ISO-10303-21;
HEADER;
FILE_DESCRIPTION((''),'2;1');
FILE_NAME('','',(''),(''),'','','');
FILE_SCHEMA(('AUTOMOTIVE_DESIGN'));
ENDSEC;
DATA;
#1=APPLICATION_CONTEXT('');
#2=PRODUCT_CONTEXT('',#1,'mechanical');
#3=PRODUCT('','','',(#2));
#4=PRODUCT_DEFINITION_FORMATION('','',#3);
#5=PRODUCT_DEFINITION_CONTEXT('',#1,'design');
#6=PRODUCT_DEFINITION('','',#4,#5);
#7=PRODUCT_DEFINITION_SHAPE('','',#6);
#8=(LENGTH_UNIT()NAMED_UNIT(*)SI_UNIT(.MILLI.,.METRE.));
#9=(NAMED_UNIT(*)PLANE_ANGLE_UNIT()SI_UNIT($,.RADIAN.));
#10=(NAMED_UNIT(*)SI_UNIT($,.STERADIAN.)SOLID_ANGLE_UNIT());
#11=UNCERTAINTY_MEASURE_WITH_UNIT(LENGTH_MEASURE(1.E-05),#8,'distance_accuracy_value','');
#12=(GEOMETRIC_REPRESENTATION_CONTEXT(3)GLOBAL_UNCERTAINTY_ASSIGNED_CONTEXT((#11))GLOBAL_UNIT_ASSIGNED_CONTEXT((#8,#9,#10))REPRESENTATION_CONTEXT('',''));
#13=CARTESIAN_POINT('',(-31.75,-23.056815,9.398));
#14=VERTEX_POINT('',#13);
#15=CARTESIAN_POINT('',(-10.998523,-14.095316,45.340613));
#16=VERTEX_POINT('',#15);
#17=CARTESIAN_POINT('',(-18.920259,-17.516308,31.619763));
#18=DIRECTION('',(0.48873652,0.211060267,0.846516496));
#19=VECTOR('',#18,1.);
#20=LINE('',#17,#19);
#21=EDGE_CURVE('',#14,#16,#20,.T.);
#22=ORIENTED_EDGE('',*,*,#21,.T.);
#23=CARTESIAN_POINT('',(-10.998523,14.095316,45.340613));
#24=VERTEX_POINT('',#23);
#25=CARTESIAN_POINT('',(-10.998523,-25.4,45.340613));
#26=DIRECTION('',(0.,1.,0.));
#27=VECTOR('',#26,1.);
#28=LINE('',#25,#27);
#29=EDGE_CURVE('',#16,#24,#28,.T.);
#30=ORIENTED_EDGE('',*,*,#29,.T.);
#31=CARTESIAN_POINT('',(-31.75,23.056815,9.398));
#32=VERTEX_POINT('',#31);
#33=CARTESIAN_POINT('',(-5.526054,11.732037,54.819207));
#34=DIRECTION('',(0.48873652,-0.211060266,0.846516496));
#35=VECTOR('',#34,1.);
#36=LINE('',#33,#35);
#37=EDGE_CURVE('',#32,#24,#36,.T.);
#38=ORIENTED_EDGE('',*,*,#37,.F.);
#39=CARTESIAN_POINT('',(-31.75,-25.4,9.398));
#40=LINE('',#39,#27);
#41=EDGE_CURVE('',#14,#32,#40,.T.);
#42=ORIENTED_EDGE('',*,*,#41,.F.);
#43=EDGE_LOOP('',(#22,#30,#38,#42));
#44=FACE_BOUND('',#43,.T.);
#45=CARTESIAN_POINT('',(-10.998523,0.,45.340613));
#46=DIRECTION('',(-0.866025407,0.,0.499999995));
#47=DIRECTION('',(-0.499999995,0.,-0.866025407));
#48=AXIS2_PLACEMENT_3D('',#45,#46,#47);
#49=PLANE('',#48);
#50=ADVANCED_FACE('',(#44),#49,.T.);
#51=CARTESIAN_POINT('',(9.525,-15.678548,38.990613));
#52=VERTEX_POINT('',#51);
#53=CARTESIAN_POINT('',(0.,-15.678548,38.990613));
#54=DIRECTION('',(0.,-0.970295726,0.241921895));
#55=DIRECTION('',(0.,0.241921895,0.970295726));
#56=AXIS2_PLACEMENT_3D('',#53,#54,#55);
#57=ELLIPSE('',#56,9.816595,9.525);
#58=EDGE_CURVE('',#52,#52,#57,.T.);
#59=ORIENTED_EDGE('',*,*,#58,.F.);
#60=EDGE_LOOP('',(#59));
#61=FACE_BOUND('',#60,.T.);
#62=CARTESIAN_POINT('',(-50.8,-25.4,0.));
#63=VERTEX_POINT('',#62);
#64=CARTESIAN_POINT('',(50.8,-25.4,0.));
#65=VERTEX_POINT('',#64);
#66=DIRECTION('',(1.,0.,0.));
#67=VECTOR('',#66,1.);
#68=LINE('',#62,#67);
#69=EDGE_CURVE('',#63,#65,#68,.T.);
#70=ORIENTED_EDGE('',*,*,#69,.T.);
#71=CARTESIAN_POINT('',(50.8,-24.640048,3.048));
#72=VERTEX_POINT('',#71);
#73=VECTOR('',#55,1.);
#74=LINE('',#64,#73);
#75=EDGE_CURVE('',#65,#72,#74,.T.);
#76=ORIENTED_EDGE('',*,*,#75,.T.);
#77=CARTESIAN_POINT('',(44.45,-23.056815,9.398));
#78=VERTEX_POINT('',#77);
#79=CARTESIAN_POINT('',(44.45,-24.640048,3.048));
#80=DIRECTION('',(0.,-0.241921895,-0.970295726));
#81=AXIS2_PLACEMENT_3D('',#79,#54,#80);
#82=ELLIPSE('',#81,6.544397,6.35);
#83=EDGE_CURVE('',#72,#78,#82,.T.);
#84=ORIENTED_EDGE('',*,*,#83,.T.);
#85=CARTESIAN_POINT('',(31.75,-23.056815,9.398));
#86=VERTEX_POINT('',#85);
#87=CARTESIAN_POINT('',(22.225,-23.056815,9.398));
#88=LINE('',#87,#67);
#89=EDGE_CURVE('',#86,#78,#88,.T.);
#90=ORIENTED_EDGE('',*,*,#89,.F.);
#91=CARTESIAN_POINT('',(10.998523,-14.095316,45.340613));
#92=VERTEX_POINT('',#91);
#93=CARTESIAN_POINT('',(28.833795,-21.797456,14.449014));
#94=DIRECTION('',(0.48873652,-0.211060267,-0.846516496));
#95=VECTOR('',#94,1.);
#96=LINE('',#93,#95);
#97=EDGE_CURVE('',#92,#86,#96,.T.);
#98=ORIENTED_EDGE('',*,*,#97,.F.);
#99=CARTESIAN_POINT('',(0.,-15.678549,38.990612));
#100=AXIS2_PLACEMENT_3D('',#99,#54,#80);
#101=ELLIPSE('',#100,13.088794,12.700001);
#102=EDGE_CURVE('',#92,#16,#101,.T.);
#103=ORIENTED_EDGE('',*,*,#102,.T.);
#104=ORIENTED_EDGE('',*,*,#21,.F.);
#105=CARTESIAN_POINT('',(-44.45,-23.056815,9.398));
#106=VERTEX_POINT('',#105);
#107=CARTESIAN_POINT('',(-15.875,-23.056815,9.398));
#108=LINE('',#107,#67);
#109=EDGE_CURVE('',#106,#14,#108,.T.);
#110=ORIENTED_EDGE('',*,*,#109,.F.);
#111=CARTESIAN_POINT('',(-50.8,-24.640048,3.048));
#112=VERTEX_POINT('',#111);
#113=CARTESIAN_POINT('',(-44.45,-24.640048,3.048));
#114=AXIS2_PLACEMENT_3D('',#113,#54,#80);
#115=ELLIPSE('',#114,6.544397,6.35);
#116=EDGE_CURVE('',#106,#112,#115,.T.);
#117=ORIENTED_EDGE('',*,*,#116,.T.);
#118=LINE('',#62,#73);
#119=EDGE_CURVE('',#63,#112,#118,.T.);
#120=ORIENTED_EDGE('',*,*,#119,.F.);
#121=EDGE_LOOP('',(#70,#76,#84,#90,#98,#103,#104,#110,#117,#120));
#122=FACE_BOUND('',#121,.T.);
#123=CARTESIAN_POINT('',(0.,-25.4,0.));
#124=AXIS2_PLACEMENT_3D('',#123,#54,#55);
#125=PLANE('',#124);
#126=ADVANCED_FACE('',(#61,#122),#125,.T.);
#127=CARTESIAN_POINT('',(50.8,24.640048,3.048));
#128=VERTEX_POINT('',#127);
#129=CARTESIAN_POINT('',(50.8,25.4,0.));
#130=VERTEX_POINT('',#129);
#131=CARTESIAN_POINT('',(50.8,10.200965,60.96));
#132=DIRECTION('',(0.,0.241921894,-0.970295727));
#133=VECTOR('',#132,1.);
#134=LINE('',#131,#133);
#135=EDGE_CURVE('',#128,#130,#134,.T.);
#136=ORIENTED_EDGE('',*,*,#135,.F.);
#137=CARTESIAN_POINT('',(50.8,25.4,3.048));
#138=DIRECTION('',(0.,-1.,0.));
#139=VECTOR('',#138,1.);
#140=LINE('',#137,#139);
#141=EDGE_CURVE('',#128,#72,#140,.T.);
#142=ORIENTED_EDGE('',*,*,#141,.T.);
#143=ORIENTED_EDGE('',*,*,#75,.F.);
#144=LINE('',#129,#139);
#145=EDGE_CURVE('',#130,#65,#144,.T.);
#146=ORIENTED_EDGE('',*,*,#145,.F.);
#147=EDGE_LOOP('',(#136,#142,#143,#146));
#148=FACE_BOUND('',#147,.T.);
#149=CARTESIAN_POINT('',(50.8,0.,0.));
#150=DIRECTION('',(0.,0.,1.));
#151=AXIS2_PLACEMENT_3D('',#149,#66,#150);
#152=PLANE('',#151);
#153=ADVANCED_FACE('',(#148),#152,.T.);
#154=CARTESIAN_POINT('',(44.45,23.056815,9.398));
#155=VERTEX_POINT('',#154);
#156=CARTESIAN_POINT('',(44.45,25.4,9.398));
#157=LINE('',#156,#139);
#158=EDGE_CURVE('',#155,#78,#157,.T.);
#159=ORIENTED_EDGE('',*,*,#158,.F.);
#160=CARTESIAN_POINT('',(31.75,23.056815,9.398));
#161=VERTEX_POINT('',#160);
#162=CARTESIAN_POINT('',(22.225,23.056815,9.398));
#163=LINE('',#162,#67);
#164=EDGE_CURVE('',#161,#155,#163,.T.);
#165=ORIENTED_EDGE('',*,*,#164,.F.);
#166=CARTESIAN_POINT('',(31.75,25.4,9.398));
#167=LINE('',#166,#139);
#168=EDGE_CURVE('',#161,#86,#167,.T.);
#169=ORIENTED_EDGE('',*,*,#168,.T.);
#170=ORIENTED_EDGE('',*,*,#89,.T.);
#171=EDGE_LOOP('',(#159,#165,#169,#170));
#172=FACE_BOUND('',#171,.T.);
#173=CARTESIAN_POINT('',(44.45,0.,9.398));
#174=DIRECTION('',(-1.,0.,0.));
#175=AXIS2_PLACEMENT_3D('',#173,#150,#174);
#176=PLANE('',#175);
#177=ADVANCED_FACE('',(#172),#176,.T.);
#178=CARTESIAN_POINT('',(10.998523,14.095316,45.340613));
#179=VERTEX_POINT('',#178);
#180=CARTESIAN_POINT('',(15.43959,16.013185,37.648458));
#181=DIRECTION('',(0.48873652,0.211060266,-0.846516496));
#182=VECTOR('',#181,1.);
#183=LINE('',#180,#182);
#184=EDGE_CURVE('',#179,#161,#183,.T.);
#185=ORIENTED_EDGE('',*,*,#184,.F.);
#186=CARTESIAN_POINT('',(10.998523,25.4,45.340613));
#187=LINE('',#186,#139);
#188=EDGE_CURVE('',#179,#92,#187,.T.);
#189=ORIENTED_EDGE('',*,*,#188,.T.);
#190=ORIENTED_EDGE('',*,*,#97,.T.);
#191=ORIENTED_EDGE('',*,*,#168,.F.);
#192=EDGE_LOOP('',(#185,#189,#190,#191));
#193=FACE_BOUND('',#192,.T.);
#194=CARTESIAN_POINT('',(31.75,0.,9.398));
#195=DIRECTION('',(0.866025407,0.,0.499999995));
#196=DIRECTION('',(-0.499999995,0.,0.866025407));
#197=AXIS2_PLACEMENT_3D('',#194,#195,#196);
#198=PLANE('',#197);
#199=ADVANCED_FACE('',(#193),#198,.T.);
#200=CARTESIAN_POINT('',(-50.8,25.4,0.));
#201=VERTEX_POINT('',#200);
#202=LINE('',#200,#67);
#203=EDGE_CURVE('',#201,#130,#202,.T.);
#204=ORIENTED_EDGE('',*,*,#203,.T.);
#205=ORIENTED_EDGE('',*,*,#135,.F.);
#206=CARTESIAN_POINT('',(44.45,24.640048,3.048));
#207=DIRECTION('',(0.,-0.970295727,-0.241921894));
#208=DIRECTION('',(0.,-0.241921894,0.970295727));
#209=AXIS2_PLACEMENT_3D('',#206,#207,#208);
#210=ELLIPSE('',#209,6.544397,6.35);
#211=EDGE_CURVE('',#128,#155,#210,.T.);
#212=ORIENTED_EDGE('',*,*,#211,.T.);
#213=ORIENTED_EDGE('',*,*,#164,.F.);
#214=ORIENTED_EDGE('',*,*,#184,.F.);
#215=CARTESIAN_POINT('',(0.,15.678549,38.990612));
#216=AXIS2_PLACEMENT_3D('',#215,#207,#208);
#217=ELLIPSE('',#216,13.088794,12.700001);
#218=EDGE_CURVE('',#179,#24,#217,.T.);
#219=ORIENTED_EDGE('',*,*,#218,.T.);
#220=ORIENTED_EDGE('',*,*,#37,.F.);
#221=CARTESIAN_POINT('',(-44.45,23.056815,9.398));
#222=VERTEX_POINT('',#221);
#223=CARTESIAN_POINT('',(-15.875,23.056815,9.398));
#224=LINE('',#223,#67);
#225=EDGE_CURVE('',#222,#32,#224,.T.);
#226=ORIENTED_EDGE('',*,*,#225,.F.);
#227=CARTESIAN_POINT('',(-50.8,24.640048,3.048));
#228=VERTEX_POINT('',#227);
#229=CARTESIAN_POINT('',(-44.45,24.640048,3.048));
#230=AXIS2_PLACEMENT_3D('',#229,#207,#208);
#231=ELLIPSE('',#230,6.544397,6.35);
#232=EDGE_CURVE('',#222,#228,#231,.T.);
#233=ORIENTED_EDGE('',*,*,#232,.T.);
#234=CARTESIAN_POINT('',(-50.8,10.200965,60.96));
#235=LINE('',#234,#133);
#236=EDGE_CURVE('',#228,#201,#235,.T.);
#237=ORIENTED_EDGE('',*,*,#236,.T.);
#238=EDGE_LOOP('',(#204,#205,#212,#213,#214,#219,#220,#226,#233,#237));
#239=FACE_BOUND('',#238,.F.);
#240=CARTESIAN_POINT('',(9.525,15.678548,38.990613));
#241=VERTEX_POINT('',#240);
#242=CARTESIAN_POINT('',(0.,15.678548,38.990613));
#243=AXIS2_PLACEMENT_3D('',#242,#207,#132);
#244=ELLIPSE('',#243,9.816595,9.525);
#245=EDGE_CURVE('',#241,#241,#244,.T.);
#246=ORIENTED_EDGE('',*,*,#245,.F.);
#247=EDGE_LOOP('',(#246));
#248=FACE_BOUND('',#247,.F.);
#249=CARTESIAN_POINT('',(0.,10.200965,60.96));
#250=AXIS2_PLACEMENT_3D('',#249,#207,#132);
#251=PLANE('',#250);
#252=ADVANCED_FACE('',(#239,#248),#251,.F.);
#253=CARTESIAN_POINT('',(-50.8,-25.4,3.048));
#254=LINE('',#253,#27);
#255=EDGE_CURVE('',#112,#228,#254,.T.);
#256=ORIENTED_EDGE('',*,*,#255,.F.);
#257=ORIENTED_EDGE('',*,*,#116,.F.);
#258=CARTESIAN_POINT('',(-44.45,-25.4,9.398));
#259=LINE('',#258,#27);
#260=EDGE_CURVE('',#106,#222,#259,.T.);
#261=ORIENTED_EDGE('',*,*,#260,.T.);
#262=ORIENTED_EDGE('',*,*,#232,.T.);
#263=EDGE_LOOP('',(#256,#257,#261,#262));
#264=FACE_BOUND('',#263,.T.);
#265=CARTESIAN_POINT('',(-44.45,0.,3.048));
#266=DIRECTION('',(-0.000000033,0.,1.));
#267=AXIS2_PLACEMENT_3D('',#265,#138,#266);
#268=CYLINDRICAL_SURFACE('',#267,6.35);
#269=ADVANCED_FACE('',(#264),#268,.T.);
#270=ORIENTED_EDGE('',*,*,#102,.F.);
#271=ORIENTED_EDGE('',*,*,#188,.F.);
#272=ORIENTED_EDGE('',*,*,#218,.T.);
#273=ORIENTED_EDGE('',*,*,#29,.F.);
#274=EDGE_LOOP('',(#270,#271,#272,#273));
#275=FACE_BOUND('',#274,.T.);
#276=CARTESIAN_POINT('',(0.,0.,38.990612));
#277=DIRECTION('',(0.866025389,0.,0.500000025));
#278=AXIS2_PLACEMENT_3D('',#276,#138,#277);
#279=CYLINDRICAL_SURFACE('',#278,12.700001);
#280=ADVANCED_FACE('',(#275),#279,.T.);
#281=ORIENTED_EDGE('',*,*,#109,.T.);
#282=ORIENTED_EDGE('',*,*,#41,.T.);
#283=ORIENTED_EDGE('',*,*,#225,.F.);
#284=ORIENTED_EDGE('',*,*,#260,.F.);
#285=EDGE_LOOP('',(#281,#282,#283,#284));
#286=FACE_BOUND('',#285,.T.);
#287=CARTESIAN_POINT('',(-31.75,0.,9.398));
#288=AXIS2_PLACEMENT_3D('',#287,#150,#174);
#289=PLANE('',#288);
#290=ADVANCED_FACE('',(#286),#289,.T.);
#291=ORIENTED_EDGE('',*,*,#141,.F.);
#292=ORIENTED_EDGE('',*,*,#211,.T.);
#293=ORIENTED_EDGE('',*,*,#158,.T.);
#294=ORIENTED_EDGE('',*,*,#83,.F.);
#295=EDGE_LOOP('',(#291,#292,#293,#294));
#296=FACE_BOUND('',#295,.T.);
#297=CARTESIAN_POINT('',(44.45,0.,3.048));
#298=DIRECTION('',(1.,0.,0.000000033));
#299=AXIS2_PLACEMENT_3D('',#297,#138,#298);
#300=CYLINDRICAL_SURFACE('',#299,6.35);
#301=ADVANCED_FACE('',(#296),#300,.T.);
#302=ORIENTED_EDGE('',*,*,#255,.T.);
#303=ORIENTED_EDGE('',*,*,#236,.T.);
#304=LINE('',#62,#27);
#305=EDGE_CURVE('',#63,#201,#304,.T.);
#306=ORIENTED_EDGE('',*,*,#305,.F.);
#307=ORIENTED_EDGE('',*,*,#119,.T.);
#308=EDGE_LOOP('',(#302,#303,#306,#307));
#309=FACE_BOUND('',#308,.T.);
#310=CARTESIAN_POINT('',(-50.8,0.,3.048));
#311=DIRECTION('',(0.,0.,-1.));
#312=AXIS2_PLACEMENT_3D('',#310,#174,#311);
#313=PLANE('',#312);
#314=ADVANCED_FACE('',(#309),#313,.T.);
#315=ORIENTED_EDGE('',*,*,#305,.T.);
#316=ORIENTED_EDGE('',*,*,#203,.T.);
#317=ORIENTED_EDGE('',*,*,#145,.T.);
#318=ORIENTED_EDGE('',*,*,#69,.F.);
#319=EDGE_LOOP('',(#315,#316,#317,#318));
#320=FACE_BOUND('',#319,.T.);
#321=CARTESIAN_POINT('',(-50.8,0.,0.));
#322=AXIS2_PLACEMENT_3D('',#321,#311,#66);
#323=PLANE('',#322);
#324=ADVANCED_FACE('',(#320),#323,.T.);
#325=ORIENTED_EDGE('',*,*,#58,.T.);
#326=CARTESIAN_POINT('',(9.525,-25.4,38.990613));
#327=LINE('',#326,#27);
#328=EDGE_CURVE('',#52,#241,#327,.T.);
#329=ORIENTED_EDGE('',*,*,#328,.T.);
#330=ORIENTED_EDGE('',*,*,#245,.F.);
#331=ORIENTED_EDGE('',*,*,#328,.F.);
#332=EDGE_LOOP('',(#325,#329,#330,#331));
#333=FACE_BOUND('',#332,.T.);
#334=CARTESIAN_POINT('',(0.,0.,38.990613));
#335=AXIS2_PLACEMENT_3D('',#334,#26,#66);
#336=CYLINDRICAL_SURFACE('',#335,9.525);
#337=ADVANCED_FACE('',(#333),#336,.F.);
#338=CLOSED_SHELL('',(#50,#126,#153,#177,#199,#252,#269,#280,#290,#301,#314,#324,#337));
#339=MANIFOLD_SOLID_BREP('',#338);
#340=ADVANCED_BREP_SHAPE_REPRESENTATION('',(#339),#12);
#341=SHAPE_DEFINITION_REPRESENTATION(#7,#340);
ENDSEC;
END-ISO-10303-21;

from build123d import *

# Parameters (mm, degrees)
F0_R     = 9.525
F1_DEPTH = 25.4
F3_DEPTH = 50.8


with BuildPart() as f1:
    # F0 (on Front) → F1 (new body, symmetric)
    with BuildSketch(Plane.XZ):
        with BuildLine():
            Line((-50.8, 0), (0, 0))
            Line((0, 0), (50.8, 0))
            Line((50.8, 0), (50.8, 3.048))
            ThreePointArc((50.8, 3.048), (48.940128, 7.538128), (44.45, 9.398))
            Line((44.45, 9.398), (31.75, 9.398))
            Line((31.75, 9.398), (10.998523, 45.340613))
            ThreePointArc((10.998523, 45.340613), (0, 51.690613), (-10.998523, 45.340613))
            Line((-10.998523, 45.340613), (-31.75, 9.398))
            Line((-31.75, 9.398), (-44.45, 9.398))
            ThreePointArc((-44.45, 9.398), (-48.940128, 7.538128), (-50.8, 3.048))
            Line((-50.8, 3.048), (-50.8, 0))
        make_face()
        with Locations((0, 38.990613)):
            Circle(F0_R, mode=Mode.SUBTRACT)
    extrude(amount=F1_DEPTH, both=True)

    # F2 (on Right) → F3 (cut, symmetric)
    with BuildSketch(Plane.YZ):
        Polygon((-25.4, 0), (-10.200965, 60.96), (-33.02, 60.96), (-33.02, -30.562151), align=None)
        Polygon((10.200965, 60.96), (33.02, -30.562151), (33.02, 60.96), align=None)
    extrude(amount=F3_DEPTH, both=True, mode=Mode.SUBTRACT)


solid = f1.part
